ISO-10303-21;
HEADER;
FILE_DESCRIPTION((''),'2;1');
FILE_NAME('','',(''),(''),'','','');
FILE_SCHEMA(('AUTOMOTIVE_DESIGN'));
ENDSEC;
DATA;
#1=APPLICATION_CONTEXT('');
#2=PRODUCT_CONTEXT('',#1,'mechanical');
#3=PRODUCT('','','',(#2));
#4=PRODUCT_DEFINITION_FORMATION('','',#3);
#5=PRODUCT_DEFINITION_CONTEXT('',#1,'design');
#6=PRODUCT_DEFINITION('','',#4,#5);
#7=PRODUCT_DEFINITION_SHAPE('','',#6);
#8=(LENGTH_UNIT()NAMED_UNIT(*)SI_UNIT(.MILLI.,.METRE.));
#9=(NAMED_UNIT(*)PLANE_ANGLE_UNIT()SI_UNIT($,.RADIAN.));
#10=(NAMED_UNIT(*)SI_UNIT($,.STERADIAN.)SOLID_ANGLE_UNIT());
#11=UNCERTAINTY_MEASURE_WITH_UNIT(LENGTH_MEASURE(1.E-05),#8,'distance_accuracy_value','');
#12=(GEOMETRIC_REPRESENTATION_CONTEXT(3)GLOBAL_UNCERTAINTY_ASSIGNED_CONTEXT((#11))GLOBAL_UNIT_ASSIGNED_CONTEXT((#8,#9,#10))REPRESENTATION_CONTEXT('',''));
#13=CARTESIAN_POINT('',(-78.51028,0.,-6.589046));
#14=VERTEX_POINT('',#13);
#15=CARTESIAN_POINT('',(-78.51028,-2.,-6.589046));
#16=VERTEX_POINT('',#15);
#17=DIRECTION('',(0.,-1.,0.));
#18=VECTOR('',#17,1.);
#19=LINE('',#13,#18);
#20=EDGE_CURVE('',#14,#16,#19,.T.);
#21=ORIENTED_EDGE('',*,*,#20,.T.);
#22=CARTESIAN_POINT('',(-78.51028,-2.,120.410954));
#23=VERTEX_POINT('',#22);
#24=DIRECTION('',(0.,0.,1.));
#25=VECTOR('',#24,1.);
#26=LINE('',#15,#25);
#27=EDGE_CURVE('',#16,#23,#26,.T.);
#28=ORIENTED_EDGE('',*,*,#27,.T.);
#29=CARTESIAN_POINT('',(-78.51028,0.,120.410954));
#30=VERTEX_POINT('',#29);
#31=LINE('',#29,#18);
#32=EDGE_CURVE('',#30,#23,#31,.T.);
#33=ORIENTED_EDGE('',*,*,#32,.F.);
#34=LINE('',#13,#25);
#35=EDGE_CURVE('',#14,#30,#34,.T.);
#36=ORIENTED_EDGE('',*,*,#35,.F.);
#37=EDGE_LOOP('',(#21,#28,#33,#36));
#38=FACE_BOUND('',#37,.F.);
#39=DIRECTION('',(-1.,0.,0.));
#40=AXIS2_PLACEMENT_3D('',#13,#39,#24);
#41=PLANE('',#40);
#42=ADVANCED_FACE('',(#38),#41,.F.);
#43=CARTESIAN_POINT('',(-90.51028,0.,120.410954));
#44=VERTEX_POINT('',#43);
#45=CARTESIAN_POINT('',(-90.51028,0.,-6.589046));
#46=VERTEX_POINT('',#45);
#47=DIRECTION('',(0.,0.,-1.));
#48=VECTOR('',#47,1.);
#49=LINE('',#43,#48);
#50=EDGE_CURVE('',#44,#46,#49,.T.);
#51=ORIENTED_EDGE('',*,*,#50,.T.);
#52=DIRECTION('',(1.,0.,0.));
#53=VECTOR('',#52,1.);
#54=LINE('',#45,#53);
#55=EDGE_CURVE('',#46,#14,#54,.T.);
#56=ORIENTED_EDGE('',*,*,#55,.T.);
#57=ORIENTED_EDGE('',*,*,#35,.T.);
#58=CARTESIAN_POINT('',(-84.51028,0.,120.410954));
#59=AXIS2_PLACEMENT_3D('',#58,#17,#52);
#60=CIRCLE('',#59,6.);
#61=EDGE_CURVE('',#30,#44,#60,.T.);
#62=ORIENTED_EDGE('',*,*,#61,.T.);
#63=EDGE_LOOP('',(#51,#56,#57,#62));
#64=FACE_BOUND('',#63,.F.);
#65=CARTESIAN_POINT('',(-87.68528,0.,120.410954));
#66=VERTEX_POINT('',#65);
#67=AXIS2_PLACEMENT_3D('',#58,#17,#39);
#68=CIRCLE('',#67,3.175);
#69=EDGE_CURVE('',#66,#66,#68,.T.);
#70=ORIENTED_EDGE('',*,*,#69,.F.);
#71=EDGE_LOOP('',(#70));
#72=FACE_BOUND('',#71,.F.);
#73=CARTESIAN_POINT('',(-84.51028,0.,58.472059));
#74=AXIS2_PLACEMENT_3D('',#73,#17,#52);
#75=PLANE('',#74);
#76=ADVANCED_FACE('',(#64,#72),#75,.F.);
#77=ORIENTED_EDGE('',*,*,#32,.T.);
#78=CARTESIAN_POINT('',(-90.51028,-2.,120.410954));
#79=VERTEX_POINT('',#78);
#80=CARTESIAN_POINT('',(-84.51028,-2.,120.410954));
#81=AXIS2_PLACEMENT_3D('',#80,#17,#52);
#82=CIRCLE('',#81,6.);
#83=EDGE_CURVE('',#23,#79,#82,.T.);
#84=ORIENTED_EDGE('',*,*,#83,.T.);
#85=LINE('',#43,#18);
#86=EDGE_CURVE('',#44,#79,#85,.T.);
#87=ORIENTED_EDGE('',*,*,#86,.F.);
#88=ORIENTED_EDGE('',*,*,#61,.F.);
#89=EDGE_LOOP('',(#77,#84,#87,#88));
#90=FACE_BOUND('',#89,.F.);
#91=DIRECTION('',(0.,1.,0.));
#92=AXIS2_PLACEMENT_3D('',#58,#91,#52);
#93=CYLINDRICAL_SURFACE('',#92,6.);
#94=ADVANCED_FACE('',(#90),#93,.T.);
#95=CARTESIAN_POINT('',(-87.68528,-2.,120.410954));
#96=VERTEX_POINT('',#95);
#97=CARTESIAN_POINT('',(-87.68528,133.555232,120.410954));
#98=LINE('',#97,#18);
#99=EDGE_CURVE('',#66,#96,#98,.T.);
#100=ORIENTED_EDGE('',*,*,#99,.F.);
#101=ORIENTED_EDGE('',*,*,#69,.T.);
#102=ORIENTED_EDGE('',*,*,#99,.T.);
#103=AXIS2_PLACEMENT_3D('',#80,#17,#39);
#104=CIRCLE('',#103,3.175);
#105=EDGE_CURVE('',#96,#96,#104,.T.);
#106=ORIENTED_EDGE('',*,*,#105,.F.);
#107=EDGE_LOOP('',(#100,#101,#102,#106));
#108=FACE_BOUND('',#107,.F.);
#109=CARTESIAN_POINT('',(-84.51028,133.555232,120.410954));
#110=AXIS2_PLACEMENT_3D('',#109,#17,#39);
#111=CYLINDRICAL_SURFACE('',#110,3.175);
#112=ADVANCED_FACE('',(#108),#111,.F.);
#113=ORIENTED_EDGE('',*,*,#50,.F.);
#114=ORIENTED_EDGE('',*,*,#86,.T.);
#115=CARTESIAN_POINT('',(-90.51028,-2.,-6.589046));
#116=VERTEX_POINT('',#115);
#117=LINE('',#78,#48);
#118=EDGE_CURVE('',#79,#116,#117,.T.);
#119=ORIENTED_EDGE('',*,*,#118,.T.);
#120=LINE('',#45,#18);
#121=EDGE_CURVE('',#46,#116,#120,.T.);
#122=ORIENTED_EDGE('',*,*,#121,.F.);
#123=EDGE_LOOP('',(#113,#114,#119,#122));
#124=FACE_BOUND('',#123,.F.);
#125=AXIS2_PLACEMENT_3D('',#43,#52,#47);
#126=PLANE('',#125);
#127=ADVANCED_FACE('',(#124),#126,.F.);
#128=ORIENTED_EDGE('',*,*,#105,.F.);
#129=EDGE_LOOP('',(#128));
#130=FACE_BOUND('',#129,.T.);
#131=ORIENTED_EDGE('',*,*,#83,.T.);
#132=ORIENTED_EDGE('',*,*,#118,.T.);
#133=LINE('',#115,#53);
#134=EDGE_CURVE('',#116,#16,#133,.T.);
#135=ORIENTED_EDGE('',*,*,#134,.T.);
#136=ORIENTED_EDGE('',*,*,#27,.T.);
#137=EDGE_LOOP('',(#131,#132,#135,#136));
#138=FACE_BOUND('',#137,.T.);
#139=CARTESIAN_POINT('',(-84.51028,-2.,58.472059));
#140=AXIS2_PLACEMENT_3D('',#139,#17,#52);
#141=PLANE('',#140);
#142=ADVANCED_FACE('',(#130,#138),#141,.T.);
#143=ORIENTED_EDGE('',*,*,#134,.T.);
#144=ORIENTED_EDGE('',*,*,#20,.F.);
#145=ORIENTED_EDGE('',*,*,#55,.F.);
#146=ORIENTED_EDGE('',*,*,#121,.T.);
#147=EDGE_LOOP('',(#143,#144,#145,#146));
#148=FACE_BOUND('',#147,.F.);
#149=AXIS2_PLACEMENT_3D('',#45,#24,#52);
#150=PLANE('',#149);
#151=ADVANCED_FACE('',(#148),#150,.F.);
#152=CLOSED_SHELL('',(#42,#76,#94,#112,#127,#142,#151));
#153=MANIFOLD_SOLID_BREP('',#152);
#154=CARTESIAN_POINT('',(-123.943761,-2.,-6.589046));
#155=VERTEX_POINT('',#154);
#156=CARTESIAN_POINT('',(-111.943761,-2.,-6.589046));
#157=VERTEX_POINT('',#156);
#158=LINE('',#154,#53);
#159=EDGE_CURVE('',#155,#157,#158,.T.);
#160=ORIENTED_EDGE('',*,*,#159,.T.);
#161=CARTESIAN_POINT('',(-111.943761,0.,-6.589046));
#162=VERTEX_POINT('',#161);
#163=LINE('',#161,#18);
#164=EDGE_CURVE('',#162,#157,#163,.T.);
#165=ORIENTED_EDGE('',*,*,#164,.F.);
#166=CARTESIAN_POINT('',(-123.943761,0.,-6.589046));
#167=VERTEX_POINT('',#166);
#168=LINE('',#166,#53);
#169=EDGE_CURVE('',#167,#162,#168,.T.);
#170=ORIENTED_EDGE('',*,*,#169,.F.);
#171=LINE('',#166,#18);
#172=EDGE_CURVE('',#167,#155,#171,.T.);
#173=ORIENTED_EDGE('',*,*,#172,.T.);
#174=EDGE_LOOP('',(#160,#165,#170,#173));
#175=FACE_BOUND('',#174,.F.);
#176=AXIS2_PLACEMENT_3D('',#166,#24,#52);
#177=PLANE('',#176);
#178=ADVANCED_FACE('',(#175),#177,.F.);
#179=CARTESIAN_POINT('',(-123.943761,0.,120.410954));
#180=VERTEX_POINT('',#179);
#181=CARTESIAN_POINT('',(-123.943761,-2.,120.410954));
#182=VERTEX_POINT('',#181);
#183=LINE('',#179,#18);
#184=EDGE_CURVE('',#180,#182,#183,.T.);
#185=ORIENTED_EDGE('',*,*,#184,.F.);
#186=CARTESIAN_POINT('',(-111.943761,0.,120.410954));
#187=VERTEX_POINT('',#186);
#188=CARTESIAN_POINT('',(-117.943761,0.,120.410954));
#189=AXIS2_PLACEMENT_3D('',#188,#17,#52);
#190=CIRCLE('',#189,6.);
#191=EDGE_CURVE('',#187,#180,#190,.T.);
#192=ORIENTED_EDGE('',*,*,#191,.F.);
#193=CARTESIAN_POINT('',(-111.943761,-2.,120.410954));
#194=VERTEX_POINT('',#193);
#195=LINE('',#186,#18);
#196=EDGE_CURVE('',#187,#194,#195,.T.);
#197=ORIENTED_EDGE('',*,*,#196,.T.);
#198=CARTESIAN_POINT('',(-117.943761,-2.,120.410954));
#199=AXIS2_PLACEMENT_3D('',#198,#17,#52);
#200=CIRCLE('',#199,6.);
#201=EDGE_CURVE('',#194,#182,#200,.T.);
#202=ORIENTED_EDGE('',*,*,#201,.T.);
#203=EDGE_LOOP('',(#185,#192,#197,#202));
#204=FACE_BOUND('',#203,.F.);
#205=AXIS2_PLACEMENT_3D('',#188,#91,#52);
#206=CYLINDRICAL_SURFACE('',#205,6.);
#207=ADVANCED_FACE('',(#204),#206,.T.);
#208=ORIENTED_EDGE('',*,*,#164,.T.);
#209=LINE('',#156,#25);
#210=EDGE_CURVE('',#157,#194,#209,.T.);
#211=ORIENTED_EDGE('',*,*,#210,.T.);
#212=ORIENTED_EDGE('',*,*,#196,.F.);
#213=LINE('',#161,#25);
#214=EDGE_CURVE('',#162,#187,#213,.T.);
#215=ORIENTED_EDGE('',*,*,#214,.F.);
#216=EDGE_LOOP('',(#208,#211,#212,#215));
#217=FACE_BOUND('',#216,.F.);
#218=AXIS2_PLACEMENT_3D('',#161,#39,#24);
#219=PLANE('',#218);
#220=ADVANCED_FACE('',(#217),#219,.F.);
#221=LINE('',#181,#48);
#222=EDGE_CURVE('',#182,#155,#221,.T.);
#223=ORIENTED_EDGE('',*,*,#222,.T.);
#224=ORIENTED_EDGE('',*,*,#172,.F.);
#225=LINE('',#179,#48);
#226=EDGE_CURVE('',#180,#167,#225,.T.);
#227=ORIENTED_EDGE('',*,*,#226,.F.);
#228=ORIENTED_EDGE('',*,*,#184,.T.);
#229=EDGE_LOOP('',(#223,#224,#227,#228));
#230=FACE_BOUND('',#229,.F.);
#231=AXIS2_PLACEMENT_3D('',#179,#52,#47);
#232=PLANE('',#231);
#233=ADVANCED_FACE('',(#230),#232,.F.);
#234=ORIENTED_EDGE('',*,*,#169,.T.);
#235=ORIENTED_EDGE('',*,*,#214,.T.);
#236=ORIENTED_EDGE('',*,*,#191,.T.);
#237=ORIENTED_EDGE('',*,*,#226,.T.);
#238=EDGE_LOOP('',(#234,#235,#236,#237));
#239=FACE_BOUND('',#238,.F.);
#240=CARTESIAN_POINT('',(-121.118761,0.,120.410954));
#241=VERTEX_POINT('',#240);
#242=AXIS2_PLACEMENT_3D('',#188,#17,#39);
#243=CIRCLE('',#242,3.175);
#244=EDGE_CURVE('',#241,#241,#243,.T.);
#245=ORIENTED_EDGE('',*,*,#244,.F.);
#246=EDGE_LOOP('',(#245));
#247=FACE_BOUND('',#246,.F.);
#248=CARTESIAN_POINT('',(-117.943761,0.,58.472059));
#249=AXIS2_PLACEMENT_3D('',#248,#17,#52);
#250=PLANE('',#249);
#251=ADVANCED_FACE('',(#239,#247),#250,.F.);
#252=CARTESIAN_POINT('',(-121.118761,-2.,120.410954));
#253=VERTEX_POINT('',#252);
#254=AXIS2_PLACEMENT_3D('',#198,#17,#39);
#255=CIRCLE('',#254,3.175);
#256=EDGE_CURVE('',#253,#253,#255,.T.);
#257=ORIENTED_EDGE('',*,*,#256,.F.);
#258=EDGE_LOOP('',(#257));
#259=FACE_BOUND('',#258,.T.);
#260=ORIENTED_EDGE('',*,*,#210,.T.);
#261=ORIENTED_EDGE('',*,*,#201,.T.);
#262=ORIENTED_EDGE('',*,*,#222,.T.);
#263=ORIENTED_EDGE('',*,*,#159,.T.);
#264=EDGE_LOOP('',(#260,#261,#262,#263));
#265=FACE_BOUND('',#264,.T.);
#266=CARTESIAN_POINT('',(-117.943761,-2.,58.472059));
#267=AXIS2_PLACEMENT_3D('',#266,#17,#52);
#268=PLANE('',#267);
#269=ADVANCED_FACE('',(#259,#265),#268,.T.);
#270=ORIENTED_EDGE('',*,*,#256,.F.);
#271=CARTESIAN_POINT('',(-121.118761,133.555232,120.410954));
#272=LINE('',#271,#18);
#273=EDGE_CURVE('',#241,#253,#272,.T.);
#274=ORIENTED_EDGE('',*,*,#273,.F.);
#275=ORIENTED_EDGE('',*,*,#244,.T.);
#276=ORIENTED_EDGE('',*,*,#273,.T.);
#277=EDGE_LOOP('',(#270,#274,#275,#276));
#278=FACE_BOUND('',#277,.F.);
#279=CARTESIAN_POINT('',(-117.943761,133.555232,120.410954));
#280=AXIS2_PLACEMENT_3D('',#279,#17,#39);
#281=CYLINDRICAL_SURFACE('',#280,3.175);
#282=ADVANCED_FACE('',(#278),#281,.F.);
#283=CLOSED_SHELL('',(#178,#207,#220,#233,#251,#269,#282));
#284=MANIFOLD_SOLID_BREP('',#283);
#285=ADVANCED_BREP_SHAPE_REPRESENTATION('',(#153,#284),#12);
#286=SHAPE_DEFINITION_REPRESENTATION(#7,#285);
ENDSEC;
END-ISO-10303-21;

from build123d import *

# Parameters (mm, degrees)
F0_R     = 2.2225
F1_DEPTH = 2
F2_D     = 6.35
F2_2_D   = 6.35


with BuildPart() as f1:
    # F0 (on Front) → F1 (new body)
    with BuildSketch(Plane.XZ):
        with BuildLine():
            Line((-111.9437609911, -6.5890456444), (-111.9437609911, 120.4109543556))
            ThreePointArc((-111.9437609911, 120.4109543556), (-117.9437609911, 126.4109543556), (-123.9437609911, 120.4109543556))
            Line((-123.9437609911, 120.4109543556), (-123.9437609911, -6.5890456444))
            Line((-123.9437609911, -6.5890456444), (-111.9437609911, -6.5890456444))
        make_face()
        with Locations((-117.9437609911, 120.4109543556)):
            Circle(F0_R, mode=Mode.SUBTRACT)
    extrude(amount=F1_DEPTH)

    # F2 (through all)
    with Locations(Plane(origin=(0, 0, 0), x_dir=(1, 0, 0), z_dir=(0, 1, 0))):
        with Locations((-117.9437609911, -120.4109543556), (-84.5102802153, -120.4109543556)):
            Hole(F2_D / 2)


with BuildPart() as f1b:
    # F0 (on Front) → F1, piece 2 (new body)
    with BuildSketch(Plane.XZ):
        with BuildLine():
            ThreePointArc((-78.5102802153, 120.4109543556), (-84.5102802153, 126.4109543556), (-90.5102802153, 120.4109543556))
            Line((-90.5102802153, 120.4109543556), (-90.5102802153, -6.5890456444))
            Line((-90.5102802153, -6.5890456444), (-78.5102802153, -6.5890456444))
            Line((-78.5102802153, -6.5890456444), (-78.5102802153, 120.4109543556))
        make_face()
        with Locations((-84.5102802153, 120.4109543556)):
            Circle(F0_R, mode=Mode.SUBTRACT)
    extrude(amount=F1_DEPTH)

    # F2#2 (through all)
    with Locations(Plane(origin=(0, 0, 0), x_dir=(1, 0, 0), z_dir=(0, 1, 0))):
        with Locations((-117.9437609911, -120.4109543556), (-84.5102802153, -120.4109543556)):
            Hole(F2_2_D / 2)


solid = Compound([f1.part, f1b.part])
